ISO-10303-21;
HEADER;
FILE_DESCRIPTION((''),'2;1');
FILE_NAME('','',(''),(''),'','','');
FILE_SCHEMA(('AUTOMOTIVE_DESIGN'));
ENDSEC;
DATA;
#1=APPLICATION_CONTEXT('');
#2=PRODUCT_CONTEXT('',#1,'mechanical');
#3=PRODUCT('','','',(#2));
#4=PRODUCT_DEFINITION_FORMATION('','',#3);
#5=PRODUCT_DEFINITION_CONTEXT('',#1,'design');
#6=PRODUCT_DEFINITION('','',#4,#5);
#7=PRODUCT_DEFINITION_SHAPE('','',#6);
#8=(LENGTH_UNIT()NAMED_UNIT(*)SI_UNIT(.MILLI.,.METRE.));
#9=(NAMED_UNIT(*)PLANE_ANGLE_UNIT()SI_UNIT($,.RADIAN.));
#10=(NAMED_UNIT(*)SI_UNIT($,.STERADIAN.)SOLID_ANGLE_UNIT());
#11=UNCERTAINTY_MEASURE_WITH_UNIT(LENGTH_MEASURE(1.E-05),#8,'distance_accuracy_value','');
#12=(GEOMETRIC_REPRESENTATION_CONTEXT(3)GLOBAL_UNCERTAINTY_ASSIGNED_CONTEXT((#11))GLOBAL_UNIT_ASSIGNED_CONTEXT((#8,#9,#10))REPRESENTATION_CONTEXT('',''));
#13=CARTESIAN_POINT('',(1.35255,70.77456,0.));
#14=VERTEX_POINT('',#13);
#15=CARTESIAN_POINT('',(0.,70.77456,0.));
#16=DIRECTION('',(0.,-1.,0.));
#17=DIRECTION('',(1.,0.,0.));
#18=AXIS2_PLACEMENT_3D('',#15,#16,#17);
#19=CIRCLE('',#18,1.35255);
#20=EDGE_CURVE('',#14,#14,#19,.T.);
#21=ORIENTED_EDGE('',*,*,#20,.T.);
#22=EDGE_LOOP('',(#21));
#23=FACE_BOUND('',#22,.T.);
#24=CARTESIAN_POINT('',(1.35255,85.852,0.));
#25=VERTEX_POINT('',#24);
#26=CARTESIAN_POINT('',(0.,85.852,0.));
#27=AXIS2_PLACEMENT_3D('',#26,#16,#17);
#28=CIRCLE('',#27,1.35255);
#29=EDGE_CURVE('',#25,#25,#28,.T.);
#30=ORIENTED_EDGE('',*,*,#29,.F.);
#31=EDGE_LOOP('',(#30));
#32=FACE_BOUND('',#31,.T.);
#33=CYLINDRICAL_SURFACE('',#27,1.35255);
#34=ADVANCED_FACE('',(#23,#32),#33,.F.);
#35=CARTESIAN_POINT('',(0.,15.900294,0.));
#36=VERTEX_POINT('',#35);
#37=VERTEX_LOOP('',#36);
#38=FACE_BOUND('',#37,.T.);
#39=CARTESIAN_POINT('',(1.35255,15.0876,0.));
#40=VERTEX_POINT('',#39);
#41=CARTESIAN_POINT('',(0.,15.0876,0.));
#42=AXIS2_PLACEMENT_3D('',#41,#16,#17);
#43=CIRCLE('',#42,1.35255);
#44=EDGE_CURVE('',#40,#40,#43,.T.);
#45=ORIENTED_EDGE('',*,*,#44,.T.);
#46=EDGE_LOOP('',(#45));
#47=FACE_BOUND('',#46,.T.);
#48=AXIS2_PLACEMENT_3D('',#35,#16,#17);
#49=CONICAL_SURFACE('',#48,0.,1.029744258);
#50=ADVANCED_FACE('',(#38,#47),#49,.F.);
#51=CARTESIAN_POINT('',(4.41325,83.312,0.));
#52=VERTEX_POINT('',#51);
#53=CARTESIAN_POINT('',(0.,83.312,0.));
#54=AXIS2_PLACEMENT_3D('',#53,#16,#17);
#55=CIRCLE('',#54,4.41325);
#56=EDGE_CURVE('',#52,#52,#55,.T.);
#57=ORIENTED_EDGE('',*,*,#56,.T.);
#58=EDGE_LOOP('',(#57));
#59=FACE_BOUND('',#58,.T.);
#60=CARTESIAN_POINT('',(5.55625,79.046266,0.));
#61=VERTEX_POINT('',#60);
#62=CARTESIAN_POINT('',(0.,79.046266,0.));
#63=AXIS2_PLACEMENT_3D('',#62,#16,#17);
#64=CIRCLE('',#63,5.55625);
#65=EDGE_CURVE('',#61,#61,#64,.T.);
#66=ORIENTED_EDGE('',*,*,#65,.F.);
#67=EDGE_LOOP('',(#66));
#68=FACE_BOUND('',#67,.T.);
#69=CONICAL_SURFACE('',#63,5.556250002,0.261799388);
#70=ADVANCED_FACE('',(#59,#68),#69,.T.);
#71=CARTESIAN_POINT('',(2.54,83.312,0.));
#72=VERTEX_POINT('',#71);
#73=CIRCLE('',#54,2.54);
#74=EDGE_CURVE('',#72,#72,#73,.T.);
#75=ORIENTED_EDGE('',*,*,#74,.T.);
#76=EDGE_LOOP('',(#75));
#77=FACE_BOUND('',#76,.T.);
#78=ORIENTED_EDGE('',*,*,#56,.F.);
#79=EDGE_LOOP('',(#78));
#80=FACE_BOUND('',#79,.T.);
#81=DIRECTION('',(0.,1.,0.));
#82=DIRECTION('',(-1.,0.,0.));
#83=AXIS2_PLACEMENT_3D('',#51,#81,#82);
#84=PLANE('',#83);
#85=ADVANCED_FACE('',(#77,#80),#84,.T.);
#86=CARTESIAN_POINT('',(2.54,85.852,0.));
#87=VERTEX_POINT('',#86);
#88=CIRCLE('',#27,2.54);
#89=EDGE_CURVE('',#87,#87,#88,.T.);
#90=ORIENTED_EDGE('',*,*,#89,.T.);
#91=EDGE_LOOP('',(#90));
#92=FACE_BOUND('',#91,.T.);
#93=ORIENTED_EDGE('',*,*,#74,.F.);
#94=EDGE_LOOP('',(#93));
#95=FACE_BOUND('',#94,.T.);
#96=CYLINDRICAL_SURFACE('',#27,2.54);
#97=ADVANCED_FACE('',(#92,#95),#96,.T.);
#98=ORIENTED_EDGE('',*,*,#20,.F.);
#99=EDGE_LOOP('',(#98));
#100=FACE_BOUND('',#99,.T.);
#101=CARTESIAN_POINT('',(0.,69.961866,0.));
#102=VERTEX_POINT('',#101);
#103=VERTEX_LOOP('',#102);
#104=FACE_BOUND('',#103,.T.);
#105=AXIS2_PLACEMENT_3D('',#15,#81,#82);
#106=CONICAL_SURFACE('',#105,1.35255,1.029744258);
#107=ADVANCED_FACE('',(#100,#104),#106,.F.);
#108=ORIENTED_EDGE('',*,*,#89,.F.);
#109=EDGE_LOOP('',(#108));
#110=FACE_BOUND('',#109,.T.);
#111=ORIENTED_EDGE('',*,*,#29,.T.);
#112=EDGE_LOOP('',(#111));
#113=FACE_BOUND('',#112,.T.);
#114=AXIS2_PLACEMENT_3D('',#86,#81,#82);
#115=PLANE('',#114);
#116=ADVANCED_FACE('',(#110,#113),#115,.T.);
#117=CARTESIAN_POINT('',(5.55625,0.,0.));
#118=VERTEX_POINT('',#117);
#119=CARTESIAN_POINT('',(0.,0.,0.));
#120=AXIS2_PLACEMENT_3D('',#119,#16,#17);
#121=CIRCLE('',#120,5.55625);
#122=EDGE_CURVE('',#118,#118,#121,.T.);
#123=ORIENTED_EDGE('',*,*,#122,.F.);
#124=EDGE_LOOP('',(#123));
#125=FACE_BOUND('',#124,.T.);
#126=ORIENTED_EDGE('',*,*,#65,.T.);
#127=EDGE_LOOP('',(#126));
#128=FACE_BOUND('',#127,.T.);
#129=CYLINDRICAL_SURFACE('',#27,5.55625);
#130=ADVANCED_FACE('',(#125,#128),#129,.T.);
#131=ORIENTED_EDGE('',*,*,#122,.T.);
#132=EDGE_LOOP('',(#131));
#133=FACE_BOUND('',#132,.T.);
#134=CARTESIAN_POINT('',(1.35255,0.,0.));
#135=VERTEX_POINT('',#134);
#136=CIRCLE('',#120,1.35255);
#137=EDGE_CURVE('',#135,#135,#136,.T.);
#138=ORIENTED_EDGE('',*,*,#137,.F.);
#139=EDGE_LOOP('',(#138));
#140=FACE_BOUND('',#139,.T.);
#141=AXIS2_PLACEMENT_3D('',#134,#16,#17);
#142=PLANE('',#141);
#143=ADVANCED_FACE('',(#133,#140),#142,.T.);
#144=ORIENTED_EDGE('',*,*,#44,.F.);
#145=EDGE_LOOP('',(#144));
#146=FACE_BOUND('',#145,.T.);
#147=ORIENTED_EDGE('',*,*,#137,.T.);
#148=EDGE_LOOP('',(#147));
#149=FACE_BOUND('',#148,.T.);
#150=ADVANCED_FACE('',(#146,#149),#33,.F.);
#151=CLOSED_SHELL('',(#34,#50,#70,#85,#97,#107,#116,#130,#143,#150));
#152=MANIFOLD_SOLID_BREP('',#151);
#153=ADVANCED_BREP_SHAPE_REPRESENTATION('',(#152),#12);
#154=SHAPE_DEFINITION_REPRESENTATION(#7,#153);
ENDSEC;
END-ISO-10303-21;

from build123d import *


with BuildPart() as part:
    # 草图1 → 旋转1 (revolve)
    with BuildSketch(Plane.XY):
        Polygon((1.35255, 70.77456), (0, 69.961865969), (0, 15.900294031), (1.35255, 15.0876), (1.35255, 0), (5.556250002, 0), (5.556250002, 79.046265928), (4.41325, 83.312), (2.54, 83.312), (2.54, 85.852), (1.35255, 85.852), align=None)
    revolve(axis=Axis((0, 85.852, 0), (0, -1, 0)))


solid = part.part
